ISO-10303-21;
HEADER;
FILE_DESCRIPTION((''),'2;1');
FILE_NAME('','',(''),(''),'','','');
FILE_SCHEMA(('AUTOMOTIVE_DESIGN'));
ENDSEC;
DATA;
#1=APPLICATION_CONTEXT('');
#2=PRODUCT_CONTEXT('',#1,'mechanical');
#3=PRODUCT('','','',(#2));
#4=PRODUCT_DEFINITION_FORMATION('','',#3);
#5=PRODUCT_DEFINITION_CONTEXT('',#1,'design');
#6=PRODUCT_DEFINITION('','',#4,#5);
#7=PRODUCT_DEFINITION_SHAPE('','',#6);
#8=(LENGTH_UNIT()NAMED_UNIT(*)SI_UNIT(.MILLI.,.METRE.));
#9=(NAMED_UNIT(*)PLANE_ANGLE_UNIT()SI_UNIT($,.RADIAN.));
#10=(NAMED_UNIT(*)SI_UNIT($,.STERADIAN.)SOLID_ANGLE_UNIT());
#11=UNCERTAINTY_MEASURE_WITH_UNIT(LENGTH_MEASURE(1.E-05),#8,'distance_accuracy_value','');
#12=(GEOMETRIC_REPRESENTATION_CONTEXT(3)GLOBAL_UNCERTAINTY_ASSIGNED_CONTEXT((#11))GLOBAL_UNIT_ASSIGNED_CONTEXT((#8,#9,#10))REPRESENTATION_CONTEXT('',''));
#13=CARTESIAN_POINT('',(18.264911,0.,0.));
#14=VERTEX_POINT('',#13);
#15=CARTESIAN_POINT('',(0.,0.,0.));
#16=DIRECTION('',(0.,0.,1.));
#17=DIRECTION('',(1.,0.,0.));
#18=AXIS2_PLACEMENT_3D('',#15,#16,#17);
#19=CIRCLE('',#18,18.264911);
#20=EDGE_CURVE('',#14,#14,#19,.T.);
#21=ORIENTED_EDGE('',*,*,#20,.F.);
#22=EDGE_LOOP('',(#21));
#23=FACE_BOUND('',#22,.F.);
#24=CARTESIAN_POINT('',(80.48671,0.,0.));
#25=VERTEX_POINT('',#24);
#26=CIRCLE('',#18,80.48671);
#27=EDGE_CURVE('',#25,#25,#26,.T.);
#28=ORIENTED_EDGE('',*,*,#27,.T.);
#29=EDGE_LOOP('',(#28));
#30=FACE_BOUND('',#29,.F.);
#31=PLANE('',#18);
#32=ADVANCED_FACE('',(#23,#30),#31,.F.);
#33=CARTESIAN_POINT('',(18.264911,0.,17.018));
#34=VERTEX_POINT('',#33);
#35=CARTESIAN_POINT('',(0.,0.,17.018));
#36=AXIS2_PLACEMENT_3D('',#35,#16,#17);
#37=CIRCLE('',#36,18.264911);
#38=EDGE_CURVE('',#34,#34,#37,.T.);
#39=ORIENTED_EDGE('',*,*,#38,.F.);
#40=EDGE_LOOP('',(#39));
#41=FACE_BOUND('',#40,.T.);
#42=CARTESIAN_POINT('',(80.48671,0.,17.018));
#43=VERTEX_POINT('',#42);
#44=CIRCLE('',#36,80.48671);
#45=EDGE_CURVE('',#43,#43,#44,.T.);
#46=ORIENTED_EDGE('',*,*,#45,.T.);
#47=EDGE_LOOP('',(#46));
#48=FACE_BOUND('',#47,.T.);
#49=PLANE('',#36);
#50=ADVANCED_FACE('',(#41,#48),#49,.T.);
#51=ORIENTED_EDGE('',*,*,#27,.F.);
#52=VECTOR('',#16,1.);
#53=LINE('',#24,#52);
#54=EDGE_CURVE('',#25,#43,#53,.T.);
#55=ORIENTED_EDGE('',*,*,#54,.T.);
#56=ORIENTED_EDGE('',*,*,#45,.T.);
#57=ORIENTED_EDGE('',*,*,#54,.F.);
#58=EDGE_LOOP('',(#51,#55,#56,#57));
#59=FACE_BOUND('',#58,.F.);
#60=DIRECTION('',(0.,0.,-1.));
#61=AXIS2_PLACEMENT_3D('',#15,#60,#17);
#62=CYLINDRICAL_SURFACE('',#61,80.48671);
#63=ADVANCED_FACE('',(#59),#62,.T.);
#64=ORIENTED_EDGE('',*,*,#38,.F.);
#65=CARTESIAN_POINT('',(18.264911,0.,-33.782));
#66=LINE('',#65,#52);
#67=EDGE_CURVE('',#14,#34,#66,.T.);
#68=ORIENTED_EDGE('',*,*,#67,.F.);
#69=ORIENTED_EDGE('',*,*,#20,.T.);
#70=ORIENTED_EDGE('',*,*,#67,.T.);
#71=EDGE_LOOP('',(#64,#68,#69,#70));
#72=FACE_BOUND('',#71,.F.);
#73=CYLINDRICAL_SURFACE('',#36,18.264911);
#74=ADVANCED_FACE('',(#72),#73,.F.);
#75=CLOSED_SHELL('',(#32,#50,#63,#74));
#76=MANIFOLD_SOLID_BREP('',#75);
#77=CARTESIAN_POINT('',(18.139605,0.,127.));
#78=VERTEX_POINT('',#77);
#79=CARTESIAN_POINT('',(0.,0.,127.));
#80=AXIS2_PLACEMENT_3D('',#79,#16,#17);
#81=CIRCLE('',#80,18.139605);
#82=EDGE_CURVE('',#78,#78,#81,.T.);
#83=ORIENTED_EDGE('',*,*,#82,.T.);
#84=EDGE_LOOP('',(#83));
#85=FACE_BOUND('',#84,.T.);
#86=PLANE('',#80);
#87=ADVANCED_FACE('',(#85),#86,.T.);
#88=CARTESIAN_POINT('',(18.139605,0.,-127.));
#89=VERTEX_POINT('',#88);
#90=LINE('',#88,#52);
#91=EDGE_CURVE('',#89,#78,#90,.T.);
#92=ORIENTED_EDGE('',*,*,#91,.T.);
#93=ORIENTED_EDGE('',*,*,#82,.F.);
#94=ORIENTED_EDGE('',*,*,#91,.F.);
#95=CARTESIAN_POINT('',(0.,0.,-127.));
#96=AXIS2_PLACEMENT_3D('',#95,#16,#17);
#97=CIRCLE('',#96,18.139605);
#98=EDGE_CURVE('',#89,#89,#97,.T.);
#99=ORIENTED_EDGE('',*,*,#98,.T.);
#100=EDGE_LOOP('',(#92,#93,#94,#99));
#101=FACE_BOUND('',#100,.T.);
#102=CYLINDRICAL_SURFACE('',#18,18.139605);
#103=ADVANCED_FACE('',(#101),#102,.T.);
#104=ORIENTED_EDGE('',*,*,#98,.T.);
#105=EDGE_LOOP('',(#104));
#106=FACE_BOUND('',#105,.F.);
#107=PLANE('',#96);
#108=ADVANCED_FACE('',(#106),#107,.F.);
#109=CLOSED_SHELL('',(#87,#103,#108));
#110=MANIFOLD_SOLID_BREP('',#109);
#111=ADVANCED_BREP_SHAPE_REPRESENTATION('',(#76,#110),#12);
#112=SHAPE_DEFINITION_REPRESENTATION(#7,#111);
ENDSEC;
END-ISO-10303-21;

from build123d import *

# Parameters (mm, degrees)
F0_R     = 80.4867101045
F1_DEPTH = 17.018
F2_R     = 18.1396053128
F3_DEPTH = 127
F4_R     = 18.2649107144
F4_R_2   = 18.1396053128
F5_DEPTH = 50.8


with BuildPart() as f1:
    # F0 (on Top) → F1 (new body)
    with BuildSketch(Plane.XY):
        Circle(F0_R)
    extrude(amount=F1_DEPTH)

    # F2 (on Top) → F3 (join, symmetric)
    with BuildSketch(Plane.XY):
        Circle(F2_R)
    extrude(amount=F3_DEPTH, both=True)

    # F4 (on face) → F5 (cut, symmetric)
    with BuildSketch(Plane.XY.offset(17.018)):
        Circle(F4_R)
        Circle(F4_R_2, mode=Mode.SUBTRACT)
    extrude(amount=F5_DEPTH, both=True, mode=Mode.SUBTRACT)


solid = f1.part
